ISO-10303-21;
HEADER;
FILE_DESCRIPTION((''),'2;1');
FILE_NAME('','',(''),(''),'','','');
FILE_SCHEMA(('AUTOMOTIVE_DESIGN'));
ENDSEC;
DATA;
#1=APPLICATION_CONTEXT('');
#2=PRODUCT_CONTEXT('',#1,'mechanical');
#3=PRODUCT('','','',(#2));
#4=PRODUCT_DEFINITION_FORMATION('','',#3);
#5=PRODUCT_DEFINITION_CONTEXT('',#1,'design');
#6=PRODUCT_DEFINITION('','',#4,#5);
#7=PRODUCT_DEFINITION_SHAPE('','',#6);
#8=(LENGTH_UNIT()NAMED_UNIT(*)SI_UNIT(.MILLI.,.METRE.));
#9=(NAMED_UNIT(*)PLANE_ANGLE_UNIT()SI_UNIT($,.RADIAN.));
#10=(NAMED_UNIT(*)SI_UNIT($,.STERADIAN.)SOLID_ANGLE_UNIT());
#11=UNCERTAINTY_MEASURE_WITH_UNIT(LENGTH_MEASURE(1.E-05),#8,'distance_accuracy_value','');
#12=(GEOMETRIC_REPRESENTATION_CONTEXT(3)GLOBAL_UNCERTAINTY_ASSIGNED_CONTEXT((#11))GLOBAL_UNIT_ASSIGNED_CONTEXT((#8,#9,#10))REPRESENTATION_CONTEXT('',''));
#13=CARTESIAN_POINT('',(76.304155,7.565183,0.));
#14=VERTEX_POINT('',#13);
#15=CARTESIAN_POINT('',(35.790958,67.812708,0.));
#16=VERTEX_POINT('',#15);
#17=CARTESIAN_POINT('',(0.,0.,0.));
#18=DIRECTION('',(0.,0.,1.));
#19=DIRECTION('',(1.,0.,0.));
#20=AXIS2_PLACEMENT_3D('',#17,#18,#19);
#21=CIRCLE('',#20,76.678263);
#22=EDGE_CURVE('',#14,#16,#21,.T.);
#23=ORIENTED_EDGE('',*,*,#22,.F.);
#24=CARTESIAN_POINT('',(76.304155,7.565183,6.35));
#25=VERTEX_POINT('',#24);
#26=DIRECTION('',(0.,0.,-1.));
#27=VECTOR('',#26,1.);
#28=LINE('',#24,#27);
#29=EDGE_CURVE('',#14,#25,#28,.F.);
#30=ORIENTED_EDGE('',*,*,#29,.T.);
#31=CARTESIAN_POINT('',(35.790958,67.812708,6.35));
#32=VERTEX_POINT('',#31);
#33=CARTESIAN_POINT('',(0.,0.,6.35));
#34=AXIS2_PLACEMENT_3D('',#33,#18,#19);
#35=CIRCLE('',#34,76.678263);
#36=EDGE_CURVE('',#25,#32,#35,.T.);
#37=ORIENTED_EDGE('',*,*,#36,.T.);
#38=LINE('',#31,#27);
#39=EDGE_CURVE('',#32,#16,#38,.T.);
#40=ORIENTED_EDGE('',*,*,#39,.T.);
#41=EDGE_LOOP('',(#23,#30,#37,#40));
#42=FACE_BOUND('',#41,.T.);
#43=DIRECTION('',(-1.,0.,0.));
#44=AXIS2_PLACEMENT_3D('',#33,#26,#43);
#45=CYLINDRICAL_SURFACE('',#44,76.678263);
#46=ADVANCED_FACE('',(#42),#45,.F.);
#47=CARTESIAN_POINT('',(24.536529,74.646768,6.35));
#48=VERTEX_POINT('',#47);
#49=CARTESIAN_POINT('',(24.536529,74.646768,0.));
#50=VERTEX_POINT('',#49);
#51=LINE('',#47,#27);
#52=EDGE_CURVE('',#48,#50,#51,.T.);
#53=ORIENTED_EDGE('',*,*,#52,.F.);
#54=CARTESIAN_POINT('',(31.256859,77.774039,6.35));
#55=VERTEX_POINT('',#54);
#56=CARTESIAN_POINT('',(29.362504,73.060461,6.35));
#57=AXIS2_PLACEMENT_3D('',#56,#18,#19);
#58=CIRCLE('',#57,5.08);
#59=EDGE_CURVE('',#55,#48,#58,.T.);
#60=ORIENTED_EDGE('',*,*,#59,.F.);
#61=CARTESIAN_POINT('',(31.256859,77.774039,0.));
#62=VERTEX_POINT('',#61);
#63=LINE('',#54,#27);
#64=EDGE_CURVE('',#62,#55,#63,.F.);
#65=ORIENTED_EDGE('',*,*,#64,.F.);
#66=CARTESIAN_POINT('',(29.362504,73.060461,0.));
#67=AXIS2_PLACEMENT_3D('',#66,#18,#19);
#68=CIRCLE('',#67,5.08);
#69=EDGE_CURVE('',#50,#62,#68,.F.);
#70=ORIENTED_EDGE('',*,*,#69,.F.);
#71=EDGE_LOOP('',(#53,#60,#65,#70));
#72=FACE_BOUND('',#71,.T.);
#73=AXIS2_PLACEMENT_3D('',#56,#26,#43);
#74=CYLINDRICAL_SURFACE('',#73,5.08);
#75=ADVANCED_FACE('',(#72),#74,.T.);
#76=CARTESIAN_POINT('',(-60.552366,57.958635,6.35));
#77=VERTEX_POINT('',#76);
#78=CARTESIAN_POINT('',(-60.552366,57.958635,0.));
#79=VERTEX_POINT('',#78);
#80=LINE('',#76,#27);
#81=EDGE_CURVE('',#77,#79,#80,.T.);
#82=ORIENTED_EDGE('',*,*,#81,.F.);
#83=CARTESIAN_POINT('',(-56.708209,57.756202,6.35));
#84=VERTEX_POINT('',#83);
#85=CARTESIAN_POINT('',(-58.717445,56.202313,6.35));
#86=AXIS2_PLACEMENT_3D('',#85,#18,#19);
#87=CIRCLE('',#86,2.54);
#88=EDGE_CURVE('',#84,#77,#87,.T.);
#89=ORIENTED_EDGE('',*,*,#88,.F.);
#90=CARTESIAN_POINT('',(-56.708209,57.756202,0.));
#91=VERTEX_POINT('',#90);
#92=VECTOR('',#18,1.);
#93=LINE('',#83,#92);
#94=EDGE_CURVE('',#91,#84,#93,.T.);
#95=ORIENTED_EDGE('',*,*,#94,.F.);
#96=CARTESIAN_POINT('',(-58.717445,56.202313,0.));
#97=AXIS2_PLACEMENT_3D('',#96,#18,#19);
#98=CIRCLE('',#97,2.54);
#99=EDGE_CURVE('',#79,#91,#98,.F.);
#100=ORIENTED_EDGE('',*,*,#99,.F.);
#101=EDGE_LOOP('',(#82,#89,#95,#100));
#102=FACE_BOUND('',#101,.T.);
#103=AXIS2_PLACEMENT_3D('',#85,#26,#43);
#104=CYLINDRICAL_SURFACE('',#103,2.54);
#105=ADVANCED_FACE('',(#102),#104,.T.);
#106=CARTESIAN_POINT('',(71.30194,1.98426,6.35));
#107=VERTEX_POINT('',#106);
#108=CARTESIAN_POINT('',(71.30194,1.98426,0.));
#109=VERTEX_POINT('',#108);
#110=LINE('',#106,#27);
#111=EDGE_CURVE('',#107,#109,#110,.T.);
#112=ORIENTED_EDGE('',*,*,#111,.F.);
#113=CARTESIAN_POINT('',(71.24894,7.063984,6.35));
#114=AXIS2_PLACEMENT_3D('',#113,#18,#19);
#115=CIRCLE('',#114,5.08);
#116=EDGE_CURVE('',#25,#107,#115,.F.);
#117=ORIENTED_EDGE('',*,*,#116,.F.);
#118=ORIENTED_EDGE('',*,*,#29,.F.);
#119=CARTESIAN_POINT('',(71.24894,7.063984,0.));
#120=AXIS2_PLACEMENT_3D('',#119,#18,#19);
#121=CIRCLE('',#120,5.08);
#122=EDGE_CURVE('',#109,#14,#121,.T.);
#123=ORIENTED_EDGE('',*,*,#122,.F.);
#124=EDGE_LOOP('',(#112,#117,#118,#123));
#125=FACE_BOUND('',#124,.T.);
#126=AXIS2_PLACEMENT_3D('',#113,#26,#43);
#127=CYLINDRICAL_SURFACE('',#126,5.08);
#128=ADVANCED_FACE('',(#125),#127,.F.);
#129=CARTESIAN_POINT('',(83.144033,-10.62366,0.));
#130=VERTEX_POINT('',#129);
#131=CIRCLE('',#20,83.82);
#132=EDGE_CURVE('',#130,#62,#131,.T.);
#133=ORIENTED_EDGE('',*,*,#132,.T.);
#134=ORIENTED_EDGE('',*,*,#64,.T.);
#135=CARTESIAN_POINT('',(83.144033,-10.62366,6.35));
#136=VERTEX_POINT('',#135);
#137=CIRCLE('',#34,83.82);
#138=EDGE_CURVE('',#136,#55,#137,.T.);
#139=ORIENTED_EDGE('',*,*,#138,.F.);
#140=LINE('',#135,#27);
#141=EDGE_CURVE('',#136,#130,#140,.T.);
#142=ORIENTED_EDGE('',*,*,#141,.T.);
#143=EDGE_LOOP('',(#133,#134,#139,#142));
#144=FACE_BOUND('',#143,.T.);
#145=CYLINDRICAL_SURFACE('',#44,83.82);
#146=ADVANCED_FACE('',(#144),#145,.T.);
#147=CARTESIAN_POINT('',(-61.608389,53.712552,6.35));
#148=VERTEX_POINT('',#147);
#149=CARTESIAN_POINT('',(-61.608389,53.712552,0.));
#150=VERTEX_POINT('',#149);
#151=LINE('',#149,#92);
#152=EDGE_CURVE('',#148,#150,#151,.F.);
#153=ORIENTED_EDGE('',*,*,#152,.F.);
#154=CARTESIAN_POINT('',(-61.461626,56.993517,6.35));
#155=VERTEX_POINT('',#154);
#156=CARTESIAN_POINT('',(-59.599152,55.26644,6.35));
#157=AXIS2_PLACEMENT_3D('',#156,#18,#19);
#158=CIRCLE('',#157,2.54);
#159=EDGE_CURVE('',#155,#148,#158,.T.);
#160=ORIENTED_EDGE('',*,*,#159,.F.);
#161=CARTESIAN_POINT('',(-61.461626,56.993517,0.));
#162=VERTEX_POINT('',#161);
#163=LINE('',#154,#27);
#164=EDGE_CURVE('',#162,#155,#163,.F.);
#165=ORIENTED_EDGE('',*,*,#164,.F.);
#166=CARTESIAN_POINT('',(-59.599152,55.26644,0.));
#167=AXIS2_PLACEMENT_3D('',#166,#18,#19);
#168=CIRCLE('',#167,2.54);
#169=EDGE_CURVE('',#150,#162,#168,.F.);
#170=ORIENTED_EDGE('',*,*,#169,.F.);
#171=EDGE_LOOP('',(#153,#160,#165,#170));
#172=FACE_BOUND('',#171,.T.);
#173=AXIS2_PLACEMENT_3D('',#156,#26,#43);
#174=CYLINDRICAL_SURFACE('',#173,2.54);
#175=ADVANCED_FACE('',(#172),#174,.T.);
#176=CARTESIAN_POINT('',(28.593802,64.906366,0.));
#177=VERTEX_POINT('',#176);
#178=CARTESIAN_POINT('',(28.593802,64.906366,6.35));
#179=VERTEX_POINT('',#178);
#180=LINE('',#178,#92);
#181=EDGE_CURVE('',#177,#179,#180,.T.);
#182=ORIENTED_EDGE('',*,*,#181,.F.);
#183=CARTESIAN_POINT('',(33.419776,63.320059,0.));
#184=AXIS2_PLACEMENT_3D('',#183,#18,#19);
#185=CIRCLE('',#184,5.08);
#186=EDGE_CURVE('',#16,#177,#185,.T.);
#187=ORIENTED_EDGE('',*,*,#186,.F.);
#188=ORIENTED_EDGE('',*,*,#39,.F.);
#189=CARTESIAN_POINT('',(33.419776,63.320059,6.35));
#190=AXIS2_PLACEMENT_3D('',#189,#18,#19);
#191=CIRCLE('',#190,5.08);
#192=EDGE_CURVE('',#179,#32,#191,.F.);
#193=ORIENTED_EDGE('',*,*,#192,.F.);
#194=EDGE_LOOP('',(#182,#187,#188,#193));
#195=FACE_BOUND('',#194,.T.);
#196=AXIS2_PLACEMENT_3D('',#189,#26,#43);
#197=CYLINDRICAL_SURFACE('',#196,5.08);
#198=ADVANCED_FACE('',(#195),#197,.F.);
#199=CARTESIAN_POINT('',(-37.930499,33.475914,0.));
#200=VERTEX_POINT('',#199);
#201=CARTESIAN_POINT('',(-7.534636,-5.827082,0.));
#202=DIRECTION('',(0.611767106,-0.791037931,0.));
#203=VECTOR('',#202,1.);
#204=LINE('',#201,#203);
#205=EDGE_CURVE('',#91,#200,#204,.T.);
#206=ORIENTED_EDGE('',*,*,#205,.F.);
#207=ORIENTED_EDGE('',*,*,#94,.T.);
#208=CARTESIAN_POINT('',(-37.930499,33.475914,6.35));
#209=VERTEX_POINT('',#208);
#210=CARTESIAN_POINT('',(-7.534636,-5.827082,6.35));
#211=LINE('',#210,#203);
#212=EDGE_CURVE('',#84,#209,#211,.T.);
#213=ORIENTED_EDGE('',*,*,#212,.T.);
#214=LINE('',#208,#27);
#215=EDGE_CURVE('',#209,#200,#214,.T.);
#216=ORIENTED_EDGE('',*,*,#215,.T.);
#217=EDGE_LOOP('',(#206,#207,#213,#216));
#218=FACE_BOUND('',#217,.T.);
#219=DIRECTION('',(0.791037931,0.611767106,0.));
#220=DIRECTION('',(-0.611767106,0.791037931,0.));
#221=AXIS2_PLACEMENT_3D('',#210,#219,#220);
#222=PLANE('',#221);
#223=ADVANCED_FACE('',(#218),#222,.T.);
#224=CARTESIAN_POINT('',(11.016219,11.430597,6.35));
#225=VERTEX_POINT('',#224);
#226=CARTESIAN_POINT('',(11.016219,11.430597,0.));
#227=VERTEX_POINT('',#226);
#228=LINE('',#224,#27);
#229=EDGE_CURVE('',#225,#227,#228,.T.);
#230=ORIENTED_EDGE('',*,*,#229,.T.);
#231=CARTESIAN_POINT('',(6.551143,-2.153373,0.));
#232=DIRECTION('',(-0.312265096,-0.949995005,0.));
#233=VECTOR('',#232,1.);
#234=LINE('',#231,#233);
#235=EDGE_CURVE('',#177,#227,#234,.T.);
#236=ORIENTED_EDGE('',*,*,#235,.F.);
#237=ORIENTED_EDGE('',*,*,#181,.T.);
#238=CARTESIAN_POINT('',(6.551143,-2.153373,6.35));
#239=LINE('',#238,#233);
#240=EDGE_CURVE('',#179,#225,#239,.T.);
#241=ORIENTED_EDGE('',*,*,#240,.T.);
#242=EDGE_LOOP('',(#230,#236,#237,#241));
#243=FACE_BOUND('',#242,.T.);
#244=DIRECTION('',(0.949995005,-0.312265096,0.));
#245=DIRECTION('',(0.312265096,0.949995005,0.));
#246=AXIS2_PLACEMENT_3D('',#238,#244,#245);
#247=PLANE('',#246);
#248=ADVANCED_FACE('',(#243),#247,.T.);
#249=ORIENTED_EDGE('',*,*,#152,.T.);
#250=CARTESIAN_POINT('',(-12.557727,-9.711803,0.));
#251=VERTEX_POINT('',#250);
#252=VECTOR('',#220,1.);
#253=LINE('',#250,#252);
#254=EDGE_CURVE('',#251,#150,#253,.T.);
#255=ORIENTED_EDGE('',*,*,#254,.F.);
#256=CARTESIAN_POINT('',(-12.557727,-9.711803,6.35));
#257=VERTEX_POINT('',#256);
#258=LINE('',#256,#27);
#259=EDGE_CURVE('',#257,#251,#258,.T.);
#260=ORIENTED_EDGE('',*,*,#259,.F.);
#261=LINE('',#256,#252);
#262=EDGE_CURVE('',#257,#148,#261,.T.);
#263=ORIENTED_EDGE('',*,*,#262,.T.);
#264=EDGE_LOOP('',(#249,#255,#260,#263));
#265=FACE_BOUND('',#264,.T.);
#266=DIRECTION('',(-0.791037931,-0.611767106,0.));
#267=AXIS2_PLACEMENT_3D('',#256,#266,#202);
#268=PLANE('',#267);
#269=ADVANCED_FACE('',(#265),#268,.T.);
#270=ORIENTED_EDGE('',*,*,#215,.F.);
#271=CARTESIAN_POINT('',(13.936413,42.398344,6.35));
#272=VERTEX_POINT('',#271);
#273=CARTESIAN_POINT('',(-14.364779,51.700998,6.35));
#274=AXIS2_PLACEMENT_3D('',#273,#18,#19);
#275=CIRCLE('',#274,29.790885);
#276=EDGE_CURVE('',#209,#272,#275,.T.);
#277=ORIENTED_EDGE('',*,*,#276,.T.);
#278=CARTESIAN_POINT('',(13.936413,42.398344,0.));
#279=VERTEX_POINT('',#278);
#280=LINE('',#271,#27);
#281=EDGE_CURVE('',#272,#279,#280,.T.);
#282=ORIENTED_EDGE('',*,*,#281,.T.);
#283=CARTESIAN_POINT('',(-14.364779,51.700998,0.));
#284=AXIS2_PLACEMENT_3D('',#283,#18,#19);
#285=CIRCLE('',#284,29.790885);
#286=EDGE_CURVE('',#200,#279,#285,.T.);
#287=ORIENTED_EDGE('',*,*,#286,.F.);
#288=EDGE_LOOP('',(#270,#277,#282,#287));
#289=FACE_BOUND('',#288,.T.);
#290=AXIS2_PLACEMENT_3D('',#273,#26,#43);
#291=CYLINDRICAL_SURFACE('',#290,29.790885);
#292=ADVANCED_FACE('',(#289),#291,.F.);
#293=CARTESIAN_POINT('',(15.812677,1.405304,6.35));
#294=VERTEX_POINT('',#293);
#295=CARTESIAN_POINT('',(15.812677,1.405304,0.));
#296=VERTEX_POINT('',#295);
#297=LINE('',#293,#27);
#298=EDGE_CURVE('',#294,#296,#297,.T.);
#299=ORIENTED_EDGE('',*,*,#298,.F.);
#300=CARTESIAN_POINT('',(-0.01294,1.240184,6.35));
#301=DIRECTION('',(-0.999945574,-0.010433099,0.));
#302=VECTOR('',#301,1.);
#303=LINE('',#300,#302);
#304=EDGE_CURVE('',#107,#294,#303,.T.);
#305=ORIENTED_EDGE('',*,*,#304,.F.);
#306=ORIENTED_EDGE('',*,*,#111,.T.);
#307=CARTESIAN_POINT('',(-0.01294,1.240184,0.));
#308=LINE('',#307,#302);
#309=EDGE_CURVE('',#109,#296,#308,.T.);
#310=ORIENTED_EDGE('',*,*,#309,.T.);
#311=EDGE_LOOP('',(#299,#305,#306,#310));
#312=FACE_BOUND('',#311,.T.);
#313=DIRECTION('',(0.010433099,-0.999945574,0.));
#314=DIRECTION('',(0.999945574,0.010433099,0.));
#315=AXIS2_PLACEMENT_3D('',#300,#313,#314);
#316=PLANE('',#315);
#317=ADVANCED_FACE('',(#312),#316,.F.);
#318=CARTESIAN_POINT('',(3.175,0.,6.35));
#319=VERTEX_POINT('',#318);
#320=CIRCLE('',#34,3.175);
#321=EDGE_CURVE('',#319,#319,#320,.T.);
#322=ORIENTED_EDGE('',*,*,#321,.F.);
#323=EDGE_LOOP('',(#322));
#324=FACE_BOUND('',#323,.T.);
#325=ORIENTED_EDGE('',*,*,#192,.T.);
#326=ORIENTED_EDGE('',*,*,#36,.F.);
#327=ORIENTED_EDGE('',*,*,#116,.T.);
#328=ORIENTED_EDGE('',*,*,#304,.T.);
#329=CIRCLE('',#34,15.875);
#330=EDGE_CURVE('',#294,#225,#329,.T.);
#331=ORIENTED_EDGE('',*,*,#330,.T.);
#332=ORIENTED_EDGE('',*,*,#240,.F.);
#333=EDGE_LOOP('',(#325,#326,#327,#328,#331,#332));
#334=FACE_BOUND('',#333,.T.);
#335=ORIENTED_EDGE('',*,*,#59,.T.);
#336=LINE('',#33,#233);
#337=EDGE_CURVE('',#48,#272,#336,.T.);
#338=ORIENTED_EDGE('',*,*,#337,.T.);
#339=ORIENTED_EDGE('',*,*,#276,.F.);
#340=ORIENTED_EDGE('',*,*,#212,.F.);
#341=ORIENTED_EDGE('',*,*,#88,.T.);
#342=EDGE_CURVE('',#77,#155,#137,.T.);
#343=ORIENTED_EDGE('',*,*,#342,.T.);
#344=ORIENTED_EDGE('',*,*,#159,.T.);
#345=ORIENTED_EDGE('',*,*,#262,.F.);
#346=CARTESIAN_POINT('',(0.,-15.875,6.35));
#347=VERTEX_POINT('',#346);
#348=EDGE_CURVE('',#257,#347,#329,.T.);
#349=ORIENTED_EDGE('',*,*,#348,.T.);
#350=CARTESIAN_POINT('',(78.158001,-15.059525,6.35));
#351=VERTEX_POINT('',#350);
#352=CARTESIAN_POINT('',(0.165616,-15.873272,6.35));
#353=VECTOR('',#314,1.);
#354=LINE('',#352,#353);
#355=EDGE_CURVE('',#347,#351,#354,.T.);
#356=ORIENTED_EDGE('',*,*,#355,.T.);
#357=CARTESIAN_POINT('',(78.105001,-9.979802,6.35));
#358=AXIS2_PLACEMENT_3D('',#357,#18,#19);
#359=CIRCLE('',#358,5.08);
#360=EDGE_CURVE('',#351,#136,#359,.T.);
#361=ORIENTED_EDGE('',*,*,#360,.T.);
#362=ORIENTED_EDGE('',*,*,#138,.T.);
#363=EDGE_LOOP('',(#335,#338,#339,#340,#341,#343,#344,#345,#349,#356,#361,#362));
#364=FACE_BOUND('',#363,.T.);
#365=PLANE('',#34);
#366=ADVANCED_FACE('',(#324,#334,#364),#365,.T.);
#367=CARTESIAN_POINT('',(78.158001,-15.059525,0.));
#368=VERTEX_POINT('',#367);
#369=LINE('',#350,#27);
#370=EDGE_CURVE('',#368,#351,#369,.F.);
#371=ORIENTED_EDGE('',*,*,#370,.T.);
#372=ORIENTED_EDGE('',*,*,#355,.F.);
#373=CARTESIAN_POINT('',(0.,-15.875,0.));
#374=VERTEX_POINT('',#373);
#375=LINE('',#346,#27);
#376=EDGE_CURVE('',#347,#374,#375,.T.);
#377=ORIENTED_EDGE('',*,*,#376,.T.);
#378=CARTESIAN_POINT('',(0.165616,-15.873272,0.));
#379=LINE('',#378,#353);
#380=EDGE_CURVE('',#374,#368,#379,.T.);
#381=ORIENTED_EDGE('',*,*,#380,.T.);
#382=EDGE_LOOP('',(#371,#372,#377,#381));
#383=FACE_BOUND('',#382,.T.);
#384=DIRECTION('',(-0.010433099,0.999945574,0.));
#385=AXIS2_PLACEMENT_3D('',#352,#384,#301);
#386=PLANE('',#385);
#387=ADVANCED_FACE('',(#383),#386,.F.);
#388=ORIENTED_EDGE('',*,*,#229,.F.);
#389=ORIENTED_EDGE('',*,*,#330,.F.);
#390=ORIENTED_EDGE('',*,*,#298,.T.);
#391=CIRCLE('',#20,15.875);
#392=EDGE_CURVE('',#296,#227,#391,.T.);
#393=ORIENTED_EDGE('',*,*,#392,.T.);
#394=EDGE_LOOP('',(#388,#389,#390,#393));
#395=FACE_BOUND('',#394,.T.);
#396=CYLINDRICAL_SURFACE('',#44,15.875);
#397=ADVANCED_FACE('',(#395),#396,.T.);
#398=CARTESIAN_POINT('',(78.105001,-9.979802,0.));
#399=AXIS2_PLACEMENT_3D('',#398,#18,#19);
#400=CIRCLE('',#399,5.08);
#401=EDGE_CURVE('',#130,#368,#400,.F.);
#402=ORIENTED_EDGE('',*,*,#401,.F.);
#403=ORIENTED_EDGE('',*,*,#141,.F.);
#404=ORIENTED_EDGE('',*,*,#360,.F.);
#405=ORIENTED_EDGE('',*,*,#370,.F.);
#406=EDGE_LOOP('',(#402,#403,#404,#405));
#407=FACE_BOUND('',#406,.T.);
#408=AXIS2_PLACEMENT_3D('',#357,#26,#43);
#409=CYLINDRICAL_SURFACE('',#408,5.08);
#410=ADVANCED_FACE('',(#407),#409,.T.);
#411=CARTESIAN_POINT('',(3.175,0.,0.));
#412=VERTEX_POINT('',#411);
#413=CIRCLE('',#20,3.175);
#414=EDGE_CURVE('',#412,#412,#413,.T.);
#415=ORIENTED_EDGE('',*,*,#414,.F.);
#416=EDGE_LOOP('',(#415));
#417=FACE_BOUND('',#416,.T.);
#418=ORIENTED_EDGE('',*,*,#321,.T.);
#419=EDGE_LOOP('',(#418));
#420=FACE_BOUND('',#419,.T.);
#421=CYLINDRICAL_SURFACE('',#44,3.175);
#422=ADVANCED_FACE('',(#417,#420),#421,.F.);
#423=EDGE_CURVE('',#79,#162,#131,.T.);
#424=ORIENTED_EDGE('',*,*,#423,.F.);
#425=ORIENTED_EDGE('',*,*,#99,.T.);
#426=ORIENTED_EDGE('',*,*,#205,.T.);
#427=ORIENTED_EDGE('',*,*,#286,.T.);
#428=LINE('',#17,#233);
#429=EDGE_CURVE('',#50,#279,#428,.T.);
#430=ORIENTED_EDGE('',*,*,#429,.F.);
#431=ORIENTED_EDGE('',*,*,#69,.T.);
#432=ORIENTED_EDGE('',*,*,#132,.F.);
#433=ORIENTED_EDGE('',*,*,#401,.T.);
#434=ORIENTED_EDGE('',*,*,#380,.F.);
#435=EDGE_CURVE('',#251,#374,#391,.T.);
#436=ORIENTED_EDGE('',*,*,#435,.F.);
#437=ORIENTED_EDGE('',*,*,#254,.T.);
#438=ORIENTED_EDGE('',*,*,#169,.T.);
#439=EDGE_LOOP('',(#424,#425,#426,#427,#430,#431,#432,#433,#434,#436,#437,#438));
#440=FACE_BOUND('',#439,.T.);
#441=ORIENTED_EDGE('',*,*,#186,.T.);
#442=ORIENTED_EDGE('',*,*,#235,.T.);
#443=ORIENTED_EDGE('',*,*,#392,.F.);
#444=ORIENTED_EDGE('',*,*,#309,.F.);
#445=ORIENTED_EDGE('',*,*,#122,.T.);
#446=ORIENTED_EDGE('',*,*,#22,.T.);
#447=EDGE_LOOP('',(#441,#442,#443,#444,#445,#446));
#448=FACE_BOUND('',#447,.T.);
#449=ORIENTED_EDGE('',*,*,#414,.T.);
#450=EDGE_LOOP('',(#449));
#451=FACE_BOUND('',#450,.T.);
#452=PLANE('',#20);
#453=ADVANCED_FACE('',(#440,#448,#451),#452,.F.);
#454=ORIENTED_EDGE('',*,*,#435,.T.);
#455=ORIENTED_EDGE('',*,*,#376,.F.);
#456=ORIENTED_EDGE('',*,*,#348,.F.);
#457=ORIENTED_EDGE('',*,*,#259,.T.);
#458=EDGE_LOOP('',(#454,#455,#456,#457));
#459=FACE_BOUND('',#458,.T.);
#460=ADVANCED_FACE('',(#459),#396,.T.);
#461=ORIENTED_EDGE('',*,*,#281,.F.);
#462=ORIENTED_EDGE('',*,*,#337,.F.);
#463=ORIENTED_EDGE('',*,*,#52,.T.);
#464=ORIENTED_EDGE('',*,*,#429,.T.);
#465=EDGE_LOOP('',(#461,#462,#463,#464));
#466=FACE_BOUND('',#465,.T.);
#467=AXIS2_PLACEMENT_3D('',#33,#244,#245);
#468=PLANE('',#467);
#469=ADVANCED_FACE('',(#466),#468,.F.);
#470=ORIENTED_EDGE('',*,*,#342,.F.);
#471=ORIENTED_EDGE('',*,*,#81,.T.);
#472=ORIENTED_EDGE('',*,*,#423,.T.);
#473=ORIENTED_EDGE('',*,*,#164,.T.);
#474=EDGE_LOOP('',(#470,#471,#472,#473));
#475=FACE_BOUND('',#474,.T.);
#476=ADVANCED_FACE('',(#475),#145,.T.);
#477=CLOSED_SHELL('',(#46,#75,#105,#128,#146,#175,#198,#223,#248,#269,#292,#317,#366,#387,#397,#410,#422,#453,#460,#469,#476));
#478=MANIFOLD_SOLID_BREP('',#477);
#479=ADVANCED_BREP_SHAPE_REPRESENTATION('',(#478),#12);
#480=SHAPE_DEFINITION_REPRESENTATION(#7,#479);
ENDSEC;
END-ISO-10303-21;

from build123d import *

# Parameters (mm, degrees)
SKETCH1_R           = 3.175
BOSS_EXTRUDE1_DEPTH = 6.35
FILLET1_R           = 5.08
FILLET2_R           = 2.54


with BuildPart() as part:
    # Sketch1 → Boss-Extrude1 (new body)
    with BuildSketch(Plane.XY):
        with BuildLine():
            Line((-12.557727148, -9.711802813), (-62.907969157, 55.392958186))
            ThreePointArc((-62.907969157, 55.392958186), (-60.738998149, 57.76302021), (-58.480795155, 60.048222272))
            Line((-58.480795155, 60.048222272), (-37.93049883, 33.475914427))
            ThreePointArc((-37.93049883, 33.475914427), (-9.314173502, 22.341362046), (13.936413388, 42.398344403))
            Line((13.936413388, 42.398344403), (26.174060388, 79.628581318))
            ThreePointArc((26.174060388, 79.628581318), (72.040987894, 42.847269029), (82.4642609, -15.014595376))
            Line((82.4642609, -15.014595376), (0, -15.875))
            ThreePointArc((0, -15.875), (-6.994310379, -14.251148983), (-12.557727148, -9.711802813))
        make_face()
        Circle(SKETCH1_R, mode=Mode.SUBTRACT)
        with BuildLine():
            Line((30.398061223, 70.395411405), (11.01621883, 11.430596996))
            ThreePointArc((11.01621883, 11.430596996), (14.320406292, 6.851393189), (15.812676769, 1.405303663))
            Line((15.812676769, 1.405303663), (76.65111989, 2.04007171))
            ThreePointArc((76.65111989, 2.04007171), (63.505865166, 42.971632067), (30.398061223, 70.395411405))
        make_face(mode=Mode.SUBTRACT)
    extrude(amount=BOSS_EXTRUDE1_DEPTH)

    # Fillet1
    fillet1_edges = [part.edges().sort_by_distance(p)[0] for p in [
        (76.65111989, 2.04007171, 3.175),
        (30.398061223, 70.395411405, 3.175),
        (26.174060388, 79.628581318, 3.175),
        (82.4642609, -15.014595376, 3.175),
    ]]
    fillet(fillet1_edges, radius=FILLET1_R)

    # Fillet2
    fillet2_edges = [part.edges().sort_by_distance(p)[0] for p in [
        (-62.907969157, 55.392958186, 3.175),
        (-58.480795155, 60.048222272, 3.175),
    ]]
    fillet(fillet2_edges, radius=FILLET2_R)


solid = part.part
